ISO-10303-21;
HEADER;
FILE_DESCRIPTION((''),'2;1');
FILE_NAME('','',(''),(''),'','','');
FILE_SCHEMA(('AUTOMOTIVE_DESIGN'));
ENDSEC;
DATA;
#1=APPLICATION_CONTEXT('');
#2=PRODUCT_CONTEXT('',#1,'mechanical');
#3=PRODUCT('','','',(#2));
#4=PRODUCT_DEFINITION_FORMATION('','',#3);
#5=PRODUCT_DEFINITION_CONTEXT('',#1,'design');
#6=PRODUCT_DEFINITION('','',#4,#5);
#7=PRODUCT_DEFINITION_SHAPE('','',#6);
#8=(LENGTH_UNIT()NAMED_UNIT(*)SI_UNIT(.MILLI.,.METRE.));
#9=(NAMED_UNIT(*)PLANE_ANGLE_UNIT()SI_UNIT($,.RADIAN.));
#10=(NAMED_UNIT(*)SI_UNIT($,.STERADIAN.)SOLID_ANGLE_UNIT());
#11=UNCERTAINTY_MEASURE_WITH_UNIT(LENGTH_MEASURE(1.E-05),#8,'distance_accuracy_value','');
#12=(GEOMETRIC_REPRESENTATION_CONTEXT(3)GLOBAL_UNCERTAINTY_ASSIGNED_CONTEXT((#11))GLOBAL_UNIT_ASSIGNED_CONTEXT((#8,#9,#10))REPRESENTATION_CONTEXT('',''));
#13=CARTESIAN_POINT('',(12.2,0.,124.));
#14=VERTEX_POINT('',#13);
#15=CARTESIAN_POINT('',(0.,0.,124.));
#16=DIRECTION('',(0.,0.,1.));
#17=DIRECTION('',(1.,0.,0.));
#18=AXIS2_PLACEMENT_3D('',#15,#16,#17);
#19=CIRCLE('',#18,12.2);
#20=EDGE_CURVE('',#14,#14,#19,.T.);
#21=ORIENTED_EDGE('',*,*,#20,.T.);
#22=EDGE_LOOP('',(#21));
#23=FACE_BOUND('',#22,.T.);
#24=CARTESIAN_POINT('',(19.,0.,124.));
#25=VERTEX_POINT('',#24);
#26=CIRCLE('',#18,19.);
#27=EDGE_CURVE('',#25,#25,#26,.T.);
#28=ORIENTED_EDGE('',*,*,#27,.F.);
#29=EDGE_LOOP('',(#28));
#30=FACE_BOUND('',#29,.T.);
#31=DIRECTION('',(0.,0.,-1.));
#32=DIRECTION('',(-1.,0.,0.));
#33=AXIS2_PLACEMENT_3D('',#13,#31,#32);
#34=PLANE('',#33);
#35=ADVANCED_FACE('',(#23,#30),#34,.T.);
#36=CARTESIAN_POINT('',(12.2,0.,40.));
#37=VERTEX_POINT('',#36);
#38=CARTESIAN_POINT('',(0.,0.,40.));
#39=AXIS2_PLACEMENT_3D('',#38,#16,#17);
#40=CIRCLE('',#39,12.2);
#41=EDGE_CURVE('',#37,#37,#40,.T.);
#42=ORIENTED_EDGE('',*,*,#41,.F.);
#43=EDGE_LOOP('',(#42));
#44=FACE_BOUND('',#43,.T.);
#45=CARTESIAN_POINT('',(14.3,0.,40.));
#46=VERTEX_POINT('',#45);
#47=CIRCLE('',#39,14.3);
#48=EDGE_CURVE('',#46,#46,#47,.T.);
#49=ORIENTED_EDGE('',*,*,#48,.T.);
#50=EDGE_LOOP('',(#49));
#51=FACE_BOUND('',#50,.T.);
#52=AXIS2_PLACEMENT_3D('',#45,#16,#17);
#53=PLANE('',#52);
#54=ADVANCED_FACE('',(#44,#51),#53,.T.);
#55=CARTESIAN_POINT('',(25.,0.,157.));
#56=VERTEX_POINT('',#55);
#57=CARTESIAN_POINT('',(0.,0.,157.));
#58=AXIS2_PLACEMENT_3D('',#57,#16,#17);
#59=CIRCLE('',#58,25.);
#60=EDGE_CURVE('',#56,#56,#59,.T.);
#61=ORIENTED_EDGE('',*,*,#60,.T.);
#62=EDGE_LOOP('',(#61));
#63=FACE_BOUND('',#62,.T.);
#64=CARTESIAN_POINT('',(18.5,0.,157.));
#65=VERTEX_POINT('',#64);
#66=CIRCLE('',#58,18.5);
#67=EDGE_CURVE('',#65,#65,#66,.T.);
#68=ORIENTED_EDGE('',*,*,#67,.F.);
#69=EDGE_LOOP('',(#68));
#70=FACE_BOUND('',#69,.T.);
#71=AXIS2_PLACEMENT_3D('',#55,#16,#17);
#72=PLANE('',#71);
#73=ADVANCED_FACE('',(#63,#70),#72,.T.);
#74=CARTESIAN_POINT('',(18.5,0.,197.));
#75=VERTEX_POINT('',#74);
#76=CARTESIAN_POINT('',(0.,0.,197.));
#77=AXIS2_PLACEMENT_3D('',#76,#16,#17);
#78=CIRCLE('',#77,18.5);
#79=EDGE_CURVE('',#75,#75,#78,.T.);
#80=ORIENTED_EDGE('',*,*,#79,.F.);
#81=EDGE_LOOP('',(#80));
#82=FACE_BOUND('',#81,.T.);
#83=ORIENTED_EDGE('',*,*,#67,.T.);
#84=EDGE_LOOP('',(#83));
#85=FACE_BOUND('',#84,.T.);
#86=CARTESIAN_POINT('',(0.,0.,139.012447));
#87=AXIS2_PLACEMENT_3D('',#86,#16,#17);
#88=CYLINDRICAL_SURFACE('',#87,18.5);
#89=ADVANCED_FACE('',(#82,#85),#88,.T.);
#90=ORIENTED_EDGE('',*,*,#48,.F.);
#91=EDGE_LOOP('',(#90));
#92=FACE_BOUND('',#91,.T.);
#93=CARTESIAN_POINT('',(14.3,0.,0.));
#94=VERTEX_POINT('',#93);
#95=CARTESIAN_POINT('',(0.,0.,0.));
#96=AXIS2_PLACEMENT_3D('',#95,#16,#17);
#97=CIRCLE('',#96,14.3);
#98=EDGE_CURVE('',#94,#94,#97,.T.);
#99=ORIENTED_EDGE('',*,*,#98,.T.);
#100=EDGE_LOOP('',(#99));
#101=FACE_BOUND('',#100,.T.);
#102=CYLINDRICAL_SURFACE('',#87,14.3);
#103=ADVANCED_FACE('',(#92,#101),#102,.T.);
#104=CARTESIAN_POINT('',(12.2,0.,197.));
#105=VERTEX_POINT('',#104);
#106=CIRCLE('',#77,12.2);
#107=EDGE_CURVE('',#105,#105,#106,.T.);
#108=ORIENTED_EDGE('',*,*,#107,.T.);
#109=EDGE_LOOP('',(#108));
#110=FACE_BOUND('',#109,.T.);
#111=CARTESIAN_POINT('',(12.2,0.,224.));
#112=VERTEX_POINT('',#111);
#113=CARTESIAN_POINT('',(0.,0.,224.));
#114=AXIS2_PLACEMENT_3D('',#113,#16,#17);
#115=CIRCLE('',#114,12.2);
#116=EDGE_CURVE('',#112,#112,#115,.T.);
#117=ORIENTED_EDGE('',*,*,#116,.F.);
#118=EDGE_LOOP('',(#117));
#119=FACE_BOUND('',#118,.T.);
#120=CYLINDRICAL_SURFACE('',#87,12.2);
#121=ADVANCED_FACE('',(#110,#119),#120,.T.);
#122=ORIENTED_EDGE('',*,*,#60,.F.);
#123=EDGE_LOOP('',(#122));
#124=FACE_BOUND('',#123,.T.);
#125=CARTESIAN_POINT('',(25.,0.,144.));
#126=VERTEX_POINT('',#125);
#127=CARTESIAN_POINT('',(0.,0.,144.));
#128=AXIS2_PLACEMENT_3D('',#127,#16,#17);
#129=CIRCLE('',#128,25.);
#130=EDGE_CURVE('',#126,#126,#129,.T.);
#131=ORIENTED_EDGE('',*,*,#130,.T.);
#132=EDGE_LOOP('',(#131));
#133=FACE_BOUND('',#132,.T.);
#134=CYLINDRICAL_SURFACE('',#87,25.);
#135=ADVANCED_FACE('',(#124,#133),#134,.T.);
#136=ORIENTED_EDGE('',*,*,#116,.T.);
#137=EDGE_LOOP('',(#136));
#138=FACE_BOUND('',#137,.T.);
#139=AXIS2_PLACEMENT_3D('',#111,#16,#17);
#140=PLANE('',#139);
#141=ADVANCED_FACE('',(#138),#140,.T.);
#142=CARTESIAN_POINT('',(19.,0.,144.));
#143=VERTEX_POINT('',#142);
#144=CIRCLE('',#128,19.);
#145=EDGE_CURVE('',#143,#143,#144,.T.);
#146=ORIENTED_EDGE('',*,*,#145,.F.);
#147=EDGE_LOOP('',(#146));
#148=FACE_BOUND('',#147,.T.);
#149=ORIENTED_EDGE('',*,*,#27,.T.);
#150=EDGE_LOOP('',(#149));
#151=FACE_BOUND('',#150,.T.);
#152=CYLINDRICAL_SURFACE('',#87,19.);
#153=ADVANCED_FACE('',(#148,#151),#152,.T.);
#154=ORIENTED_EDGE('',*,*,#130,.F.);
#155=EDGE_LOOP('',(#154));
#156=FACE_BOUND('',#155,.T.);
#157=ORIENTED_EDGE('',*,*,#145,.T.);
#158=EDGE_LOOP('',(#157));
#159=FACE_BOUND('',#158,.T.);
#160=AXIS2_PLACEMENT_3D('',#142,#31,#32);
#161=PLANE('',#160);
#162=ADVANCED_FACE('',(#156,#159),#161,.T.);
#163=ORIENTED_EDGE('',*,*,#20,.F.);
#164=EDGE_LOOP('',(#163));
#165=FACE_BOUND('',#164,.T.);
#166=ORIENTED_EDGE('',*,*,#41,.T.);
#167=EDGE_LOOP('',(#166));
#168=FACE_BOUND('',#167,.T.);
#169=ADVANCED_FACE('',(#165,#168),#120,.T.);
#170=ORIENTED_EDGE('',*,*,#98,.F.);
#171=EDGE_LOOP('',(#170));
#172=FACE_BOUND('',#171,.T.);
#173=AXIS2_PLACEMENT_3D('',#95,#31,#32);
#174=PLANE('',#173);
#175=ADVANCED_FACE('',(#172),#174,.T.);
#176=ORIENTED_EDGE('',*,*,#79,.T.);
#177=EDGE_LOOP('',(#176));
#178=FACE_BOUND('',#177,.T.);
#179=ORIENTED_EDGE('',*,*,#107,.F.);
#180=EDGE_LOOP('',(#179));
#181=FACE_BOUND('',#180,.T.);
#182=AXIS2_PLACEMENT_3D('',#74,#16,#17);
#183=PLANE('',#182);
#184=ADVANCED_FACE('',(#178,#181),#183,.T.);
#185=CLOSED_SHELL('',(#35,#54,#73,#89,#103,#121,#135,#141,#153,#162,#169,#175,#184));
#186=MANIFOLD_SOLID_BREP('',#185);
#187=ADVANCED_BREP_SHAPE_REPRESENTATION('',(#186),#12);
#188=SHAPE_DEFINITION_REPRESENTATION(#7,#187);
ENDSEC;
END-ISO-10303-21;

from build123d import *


with BuildPart() as part:
    # Sketch1 → Revolve1 (revolve)
    with BuildSketch(Plane(origin=(0, 0, 0), x_dir=(1, 0, 0), z_dir=(0, 1, 0))):
        Polygon((0, 0), (14.3, 0), (14.3, -40), (12.2, -40), (12.2, -124), (19, -124), (19, -144), (25, -144), (25, -157), (18.5, -157), (18.5, -197), (12.2, -197), (12.2, -224), (0, -224), (0, -139.012446794), align=None)
    revolve(axis=Axis((0, 0, 139.012446794), (0, 0, -1)))


solid = part.part
